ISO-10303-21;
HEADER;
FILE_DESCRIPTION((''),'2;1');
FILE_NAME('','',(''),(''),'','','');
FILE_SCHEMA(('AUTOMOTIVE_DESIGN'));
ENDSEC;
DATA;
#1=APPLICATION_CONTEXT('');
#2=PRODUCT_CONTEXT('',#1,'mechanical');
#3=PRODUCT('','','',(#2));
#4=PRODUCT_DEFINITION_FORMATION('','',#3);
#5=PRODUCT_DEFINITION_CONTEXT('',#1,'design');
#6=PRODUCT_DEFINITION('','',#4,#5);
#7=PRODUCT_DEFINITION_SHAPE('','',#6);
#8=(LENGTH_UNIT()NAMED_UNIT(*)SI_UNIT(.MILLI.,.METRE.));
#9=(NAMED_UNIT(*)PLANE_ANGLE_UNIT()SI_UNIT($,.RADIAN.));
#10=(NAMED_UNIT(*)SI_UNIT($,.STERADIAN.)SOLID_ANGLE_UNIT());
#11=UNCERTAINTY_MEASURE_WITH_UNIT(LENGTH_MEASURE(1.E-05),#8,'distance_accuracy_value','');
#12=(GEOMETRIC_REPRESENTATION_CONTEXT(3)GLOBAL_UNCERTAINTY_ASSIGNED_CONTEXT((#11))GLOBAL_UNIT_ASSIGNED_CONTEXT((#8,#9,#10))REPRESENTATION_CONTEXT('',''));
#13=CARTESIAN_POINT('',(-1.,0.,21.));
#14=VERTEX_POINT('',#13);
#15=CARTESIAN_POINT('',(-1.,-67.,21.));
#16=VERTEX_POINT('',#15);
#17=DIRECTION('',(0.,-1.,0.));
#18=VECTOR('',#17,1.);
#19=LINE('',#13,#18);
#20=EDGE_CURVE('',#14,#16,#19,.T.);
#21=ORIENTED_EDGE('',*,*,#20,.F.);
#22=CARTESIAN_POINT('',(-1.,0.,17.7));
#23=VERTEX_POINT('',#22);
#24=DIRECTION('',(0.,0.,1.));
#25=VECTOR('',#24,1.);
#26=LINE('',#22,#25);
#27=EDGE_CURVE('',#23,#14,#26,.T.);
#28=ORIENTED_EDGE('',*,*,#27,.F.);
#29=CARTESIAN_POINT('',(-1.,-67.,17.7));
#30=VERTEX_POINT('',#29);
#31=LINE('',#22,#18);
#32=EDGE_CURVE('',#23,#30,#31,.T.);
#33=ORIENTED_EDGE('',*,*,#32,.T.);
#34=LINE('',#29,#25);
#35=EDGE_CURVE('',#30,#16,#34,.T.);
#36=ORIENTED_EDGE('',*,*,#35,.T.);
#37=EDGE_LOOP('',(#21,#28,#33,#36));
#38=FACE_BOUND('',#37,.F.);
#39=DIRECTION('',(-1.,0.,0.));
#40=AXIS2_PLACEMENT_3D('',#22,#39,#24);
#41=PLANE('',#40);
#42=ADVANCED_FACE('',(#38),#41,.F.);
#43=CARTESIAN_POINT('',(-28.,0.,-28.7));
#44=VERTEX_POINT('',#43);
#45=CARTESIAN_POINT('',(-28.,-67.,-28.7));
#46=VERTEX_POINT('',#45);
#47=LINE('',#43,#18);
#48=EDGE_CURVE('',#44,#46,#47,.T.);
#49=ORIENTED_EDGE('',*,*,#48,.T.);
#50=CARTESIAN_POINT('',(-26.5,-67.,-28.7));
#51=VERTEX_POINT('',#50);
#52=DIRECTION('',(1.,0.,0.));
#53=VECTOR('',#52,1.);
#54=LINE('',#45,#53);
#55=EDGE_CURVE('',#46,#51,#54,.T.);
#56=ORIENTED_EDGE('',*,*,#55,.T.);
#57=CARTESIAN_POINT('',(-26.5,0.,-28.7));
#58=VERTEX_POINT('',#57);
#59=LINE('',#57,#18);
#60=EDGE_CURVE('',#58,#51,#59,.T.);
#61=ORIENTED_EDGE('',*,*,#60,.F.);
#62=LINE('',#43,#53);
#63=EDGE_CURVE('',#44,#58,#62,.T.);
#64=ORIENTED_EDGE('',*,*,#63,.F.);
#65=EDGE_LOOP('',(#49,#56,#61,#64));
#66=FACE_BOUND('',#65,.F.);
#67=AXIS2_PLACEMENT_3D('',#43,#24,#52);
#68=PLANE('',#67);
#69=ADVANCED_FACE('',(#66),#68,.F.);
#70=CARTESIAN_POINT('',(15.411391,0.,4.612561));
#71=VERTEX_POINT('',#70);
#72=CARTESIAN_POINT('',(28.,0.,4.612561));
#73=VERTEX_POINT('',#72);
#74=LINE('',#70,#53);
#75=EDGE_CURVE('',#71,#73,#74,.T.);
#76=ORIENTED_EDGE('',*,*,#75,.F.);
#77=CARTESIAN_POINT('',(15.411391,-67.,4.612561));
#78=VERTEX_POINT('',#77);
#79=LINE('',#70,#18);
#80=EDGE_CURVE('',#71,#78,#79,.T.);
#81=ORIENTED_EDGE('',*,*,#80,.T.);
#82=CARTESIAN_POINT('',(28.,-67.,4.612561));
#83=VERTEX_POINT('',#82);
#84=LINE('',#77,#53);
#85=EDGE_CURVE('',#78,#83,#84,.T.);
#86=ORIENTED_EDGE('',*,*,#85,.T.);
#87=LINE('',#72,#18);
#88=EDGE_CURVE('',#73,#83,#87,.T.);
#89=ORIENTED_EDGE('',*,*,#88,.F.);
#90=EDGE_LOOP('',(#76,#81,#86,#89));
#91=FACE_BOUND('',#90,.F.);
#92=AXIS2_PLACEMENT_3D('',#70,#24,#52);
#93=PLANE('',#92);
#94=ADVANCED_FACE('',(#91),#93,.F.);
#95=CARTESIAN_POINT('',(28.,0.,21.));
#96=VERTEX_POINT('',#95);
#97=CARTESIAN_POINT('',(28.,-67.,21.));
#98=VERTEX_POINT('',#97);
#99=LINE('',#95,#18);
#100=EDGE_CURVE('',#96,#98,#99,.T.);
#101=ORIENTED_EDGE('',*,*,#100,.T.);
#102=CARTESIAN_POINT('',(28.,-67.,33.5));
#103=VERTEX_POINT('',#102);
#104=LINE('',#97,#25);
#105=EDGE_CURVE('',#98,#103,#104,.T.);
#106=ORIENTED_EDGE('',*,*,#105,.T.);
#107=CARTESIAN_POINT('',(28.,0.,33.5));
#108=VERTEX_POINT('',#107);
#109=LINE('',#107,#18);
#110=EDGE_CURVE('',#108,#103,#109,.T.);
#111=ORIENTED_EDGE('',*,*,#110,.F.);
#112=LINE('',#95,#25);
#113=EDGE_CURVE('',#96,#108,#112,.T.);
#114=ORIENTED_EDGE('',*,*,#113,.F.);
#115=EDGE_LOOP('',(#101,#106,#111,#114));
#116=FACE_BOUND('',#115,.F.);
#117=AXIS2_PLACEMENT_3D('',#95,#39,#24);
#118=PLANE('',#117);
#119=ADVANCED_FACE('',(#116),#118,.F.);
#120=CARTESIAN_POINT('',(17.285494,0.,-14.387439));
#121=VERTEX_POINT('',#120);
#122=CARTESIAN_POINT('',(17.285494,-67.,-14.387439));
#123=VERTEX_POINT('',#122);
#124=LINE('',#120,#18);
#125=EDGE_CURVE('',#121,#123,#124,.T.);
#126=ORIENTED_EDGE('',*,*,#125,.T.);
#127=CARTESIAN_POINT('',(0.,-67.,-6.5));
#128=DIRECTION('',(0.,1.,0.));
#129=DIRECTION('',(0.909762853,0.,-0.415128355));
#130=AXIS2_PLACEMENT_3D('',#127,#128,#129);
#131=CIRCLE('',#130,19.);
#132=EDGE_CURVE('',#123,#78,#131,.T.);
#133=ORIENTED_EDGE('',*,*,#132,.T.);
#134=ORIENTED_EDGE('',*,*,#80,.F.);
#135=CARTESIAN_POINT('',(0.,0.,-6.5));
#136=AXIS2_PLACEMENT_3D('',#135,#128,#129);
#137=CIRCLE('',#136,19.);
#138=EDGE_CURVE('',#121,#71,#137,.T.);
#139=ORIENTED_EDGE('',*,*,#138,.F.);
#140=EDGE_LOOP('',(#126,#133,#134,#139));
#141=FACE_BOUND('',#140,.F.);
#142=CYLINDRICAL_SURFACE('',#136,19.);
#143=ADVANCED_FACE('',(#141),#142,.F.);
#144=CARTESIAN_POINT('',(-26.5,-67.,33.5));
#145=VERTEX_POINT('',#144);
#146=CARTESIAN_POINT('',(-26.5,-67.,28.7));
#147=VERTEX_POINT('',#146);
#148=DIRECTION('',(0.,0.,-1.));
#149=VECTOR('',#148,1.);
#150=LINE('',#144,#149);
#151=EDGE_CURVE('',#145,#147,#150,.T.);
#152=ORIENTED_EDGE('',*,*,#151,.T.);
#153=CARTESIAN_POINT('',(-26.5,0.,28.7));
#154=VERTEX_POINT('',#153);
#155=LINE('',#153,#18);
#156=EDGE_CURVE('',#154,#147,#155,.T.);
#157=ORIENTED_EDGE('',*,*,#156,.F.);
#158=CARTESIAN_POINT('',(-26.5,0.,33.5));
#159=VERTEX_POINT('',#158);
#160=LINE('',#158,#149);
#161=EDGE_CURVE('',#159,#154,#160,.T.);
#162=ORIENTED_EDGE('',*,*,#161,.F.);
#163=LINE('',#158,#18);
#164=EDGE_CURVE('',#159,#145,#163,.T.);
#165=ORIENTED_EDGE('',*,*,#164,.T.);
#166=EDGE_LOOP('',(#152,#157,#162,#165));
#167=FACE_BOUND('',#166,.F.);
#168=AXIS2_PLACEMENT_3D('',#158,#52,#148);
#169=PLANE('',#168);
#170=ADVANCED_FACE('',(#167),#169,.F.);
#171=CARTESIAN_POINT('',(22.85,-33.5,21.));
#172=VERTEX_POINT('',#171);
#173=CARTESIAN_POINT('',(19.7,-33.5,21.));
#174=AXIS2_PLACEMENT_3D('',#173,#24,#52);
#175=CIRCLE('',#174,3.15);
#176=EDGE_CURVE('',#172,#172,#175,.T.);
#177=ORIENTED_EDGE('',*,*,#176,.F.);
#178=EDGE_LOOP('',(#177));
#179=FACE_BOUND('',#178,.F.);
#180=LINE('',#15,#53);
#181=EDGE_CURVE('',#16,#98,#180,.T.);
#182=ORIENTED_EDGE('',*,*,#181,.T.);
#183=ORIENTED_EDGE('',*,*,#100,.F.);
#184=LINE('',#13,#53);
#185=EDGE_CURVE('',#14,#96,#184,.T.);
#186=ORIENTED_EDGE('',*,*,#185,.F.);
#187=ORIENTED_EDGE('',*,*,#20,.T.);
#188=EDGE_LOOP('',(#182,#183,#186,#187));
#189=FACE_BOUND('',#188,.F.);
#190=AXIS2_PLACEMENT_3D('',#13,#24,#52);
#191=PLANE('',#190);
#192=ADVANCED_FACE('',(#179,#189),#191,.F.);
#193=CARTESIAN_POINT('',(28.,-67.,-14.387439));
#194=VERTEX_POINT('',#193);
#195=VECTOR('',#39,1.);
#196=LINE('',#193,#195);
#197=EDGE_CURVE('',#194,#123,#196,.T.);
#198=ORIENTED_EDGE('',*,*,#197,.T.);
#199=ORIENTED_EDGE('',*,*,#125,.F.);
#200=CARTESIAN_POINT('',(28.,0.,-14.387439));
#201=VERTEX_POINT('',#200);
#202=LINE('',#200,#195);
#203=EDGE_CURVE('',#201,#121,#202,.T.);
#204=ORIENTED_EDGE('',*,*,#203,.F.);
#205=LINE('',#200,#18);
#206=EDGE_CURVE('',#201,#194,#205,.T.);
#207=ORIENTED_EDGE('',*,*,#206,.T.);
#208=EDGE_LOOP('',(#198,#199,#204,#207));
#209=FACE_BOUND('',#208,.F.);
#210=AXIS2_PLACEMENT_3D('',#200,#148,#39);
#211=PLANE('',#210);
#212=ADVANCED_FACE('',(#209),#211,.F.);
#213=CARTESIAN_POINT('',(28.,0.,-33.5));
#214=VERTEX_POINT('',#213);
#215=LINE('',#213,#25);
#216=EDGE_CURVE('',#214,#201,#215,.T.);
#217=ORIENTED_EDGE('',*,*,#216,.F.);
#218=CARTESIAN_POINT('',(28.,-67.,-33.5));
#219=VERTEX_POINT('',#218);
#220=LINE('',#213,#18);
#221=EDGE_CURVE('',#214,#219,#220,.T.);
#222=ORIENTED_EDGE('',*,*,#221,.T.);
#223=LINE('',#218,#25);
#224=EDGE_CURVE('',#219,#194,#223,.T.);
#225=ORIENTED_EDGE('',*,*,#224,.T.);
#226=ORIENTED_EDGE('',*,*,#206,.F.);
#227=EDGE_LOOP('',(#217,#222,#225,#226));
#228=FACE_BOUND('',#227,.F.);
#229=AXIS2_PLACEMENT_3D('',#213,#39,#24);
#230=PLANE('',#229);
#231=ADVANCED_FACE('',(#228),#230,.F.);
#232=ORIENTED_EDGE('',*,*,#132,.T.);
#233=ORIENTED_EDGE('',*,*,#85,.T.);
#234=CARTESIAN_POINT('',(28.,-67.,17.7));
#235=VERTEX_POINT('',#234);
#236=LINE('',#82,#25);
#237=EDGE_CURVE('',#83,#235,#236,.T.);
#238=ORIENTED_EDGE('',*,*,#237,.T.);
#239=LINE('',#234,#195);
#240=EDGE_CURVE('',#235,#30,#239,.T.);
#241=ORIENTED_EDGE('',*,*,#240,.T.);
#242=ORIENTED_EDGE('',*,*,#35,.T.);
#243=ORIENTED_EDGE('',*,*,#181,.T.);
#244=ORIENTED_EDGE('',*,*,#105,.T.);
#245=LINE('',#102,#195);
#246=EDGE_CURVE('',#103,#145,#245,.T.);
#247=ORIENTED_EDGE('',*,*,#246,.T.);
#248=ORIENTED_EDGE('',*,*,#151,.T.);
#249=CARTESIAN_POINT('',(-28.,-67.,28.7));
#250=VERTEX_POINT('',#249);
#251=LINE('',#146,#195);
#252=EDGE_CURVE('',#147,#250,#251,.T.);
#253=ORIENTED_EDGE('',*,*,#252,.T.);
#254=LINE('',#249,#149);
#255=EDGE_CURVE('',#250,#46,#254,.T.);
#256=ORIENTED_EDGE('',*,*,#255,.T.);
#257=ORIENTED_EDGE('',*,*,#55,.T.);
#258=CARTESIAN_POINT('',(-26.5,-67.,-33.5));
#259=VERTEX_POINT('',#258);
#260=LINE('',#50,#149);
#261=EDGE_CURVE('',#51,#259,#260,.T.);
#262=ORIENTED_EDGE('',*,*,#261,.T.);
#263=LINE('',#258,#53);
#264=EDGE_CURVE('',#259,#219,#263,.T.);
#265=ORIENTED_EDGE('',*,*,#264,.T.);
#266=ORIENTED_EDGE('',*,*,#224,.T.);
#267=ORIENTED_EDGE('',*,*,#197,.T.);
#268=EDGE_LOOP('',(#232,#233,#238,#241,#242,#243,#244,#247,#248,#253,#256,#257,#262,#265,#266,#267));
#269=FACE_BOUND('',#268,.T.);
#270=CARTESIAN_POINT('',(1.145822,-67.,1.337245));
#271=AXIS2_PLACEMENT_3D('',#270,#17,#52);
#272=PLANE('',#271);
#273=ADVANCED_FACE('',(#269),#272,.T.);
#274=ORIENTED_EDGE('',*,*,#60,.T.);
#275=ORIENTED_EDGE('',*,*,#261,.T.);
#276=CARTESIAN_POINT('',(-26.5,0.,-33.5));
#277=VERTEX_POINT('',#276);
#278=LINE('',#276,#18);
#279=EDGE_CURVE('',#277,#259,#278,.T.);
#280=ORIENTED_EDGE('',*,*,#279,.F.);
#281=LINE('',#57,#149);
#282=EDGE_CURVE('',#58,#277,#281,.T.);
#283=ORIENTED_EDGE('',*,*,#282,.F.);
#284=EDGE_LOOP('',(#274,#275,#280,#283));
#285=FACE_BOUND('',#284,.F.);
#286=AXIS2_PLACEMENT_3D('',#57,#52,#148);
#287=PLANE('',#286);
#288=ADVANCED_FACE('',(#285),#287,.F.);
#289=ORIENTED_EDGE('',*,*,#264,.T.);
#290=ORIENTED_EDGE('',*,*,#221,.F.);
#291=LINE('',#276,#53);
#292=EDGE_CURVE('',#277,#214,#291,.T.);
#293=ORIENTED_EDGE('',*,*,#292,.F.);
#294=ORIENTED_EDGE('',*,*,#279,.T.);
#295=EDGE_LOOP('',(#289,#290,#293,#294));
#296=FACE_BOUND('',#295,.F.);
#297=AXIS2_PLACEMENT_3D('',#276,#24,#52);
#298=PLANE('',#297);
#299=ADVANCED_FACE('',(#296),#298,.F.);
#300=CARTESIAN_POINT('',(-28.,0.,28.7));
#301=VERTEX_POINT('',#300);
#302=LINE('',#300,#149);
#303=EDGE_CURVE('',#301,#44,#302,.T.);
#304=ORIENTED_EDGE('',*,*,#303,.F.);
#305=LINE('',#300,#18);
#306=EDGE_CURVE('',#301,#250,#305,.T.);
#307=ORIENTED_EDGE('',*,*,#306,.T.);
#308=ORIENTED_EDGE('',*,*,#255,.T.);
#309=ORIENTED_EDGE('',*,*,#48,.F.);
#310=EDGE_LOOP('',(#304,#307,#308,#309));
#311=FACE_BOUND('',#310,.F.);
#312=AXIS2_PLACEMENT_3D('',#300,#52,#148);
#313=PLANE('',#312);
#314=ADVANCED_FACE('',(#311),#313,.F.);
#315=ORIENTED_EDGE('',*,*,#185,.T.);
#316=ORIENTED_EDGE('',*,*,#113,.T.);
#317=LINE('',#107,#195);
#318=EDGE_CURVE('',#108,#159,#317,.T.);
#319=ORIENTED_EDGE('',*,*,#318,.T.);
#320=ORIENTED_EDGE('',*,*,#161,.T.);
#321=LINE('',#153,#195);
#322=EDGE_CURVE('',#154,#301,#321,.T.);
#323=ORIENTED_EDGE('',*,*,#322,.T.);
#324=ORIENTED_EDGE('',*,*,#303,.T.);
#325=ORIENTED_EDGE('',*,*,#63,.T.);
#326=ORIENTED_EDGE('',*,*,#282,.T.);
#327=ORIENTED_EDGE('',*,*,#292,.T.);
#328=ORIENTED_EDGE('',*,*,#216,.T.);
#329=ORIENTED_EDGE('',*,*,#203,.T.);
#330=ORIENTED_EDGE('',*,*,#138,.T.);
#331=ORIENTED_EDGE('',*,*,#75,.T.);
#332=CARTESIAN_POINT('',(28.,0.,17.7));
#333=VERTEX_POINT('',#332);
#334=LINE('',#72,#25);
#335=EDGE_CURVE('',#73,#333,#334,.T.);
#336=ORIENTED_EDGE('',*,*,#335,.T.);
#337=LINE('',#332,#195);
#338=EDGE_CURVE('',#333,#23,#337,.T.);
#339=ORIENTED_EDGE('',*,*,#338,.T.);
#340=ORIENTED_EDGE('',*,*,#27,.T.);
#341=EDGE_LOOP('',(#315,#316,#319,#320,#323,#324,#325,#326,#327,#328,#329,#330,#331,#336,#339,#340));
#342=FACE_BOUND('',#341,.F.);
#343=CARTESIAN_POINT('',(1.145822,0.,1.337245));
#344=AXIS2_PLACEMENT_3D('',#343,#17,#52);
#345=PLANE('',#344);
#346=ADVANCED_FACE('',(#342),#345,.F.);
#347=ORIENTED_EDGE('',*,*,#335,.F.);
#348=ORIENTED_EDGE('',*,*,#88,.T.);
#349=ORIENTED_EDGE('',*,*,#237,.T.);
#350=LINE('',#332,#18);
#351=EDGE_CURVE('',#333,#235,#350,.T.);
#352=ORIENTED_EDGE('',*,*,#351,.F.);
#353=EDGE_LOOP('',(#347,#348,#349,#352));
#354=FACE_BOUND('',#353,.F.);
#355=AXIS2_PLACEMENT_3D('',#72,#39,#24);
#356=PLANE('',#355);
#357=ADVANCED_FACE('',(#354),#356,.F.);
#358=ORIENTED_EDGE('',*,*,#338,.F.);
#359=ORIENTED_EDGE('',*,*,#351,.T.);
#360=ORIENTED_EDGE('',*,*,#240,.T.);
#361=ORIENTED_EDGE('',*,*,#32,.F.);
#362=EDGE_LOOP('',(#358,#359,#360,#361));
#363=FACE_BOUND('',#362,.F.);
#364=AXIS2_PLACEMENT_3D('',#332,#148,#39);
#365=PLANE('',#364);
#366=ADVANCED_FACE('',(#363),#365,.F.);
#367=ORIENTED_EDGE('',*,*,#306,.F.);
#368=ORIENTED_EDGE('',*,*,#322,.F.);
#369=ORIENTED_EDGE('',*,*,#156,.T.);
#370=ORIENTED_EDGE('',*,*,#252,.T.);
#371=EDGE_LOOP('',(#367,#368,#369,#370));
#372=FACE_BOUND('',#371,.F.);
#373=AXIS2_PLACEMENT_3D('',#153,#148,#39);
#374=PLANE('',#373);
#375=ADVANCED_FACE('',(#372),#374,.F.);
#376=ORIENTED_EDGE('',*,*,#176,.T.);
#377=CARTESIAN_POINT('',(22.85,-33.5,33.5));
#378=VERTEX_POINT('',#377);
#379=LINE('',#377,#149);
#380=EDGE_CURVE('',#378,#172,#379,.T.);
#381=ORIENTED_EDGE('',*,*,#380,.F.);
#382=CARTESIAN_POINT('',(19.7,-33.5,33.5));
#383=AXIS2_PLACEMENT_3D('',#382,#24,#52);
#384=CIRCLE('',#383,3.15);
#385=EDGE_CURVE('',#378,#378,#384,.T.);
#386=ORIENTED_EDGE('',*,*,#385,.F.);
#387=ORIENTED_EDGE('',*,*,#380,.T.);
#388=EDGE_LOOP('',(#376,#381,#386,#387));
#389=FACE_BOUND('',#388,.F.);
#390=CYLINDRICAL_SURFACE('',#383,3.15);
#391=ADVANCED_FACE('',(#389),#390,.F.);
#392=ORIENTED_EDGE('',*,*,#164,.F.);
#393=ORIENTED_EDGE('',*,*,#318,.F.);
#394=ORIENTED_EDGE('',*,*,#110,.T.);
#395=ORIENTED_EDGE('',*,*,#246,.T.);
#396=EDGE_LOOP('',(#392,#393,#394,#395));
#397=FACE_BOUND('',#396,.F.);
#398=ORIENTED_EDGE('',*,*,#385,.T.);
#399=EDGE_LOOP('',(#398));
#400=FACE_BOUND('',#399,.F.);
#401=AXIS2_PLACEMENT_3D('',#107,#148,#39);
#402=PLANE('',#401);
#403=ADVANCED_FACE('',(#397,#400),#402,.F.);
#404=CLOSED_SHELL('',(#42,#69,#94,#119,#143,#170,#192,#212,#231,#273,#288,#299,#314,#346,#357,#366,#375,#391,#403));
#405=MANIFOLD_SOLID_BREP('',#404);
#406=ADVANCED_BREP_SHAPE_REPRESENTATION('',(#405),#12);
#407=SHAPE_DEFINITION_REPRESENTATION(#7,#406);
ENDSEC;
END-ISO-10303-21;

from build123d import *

# Parameters (mm, degrees)
F1_DEPTH = 67
F2_R     = 3.15
F3_DEPTH = 12.5


with BuildPart() as f1:
    # F0 (on Front) → F1 (new body)
    with BuildSketch(Plane.XZ):
        with BuildLine():
            Line((-26.5, -33.5), (28, -33.5))
            Line((28, -33.5), (28, -14.387439))
            Line((28, -14.387439), (17.285494, -14.387439))
            ThreePointArc((17.285494, -14.387439), (-18.908241, -8.365052), (15.411391, 4.612561))
            Line((15.411391, 4.612561), (28, 4.612561))
            Line((28, 4.612561), (28, 17.7))
            Line((28, 17.7), (-1, 17.7))
            Line((-1, 17.7), (-1, 21))
            Line((-1, 21), (28, 21))
            Line((28, 21), (28, 33.5))
            Line((28, 33.5), (-26.5, 33.5))
            Line((-26.5, 33.5), (-26.5, 28.7))
            Line((-26.5, 28.7), (-28, 28.7))
            Line((-28, 28.7), (-28, -28.7))
            Line((-28, -28.7), (-26.5, -28.7))
            Line((-26.5, -28.7), (-26.5, -33.5))
        make_face()
    extrude(amount=F1_DEPTH)

    # F2 (on face) → F3 (cut)
    with BuildSketch(Plane.XY.offset(33.5)):
        with Locations((19.7, -33.5)):
            Circle(F2_R)
    extrude(amount=-F3_DEPTH, mode=Mode.SUBTRACT)


solid = f1.part
